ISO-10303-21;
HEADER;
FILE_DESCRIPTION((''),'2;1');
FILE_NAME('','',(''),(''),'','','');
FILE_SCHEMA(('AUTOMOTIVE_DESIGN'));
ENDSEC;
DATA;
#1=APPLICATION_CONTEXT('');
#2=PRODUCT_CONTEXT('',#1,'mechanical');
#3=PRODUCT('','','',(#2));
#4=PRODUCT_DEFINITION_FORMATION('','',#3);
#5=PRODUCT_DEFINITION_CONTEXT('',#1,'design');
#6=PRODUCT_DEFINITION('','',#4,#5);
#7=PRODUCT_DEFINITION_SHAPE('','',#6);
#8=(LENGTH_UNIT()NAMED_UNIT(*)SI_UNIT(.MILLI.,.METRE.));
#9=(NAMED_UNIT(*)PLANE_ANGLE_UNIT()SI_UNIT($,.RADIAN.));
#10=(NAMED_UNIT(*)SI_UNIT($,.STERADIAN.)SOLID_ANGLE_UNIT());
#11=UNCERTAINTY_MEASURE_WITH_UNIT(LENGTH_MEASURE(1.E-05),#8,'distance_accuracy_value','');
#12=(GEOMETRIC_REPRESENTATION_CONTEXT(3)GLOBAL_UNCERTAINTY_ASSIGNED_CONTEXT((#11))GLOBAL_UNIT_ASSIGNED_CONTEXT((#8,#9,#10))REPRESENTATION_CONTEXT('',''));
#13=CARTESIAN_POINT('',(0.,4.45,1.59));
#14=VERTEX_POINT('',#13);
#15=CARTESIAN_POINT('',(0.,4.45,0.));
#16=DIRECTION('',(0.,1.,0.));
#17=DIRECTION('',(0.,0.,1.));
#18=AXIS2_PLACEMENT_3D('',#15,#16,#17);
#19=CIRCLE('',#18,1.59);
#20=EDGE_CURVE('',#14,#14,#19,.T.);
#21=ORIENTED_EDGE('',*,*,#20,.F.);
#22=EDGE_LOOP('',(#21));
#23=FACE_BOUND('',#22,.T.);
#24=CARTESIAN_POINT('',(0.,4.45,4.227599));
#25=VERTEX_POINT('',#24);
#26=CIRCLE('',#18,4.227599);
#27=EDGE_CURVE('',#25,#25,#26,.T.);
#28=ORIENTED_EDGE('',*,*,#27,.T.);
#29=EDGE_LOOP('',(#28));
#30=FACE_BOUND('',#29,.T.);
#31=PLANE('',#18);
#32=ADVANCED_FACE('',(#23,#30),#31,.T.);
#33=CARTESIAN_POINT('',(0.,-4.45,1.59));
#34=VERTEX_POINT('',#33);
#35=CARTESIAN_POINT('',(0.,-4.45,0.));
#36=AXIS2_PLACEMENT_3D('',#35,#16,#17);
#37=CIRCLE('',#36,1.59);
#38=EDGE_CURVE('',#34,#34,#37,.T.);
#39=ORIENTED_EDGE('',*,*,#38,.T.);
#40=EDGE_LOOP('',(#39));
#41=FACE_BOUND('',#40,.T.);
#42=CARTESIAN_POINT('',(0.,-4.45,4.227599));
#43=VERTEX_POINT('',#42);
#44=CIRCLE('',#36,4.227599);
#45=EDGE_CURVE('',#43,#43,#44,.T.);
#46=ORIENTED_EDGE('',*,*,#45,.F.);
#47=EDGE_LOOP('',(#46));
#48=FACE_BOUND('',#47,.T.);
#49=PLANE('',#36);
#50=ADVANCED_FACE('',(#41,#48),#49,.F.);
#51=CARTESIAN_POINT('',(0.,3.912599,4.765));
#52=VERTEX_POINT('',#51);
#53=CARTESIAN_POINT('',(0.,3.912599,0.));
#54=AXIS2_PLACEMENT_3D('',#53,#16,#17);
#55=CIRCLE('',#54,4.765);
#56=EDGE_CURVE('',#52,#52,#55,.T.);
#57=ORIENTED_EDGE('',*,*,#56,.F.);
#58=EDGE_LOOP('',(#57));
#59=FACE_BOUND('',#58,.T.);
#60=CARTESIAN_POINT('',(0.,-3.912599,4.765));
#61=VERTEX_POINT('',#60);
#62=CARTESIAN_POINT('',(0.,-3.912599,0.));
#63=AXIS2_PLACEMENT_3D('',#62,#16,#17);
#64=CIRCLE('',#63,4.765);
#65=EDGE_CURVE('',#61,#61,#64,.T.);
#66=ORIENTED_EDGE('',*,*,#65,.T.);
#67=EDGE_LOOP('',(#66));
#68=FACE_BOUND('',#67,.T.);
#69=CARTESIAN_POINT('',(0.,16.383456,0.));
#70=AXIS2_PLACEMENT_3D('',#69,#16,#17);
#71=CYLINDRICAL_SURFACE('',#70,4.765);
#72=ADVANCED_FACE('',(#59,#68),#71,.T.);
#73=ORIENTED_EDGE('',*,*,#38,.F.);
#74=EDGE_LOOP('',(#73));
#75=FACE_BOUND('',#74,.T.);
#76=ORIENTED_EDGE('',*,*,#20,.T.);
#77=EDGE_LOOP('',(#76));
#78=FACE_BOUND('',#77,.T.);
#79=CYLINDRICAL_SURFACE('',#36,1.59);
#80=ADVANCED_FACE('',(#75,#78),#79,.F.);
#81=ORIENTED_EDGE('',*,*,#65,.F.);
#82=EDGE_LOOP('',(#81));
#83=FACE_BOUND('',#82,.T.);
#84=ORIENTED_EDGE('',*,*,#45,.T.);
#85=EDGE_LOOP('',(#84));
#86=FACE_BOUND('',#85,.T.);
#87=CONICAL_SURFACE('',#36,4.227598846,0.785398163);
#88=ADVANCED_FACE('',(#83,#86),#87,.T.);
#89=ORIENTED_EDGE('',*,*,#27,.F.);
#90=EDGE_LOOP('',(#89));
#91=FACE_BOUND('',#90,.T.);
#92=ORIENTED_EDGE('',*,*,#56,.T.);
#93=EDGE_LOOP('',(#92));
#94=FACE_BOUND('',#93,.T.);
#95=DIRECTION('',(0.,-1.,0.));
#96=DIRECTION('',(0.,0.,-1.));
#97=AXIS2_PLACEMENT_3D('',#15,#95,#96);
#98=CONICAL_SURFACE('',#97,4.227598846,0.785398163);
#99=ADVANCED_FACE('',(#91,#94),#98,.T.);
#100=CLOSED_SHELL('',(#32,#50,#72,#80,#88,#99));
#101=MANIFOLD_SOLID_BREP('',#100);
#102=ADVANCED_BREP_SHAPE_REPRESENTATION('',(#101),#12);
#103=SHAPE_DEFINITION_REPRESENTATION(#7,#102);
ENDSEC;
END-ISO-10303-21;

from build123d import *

# Parameters (mm, degrees)
SKETCH2_R          = 1.59
CUT_EXTRUDE1_DEPTH = 12.163352991


with BuildPart() as part:
    # Sketch1 → Revolve1 (revolve)
    with BuildSketch(Plane(origin=(0, 0, 0), x_dir=(0, 0, -1), z_dir=(1, 0, 0)), mode=Mode.PRIVATE) as revolve1_sk:
        Polygon((4.227598846, 4.45), (0, 4.45), (0, 3.912598846), (4.765, 3.912598846), align=None)
        Polygon((4.765, 3.912598846), (0, 3.912598846), (0, 0.159067097), (0, 0), (0, -3.912598846), (4.765, -3.912598846), (4.765, 0), align=None)
        Polygon((4.227598846, -4.45), (4.765, -3.912598846), (0, -3.912598846), (0, -4.45), align=None)
    revolve(revolve1_sk.sketch.rotate(Axis((0, 16.383455529, 0), (0, -1, 0)), 180), axis=Axis((0, 16.383455529, 0), (0, -1, 0)))

    # Sketch2 → Cut-Extrude1 (cut, through all)
    with BuildSketch(Plane(origin=(0, 4.45, 0), x_dir=(1, 0, 0), z_dir=(0, 1, 0))):
        with Locations(Location((0, 0, 0), (0, 0, 270))):
            Circle(SKETCH2_R)
    extrude(amount=-CUT_EXTRUDE1_DEPTH, mode=Mode.SUBTRACT)


solid = part.part
